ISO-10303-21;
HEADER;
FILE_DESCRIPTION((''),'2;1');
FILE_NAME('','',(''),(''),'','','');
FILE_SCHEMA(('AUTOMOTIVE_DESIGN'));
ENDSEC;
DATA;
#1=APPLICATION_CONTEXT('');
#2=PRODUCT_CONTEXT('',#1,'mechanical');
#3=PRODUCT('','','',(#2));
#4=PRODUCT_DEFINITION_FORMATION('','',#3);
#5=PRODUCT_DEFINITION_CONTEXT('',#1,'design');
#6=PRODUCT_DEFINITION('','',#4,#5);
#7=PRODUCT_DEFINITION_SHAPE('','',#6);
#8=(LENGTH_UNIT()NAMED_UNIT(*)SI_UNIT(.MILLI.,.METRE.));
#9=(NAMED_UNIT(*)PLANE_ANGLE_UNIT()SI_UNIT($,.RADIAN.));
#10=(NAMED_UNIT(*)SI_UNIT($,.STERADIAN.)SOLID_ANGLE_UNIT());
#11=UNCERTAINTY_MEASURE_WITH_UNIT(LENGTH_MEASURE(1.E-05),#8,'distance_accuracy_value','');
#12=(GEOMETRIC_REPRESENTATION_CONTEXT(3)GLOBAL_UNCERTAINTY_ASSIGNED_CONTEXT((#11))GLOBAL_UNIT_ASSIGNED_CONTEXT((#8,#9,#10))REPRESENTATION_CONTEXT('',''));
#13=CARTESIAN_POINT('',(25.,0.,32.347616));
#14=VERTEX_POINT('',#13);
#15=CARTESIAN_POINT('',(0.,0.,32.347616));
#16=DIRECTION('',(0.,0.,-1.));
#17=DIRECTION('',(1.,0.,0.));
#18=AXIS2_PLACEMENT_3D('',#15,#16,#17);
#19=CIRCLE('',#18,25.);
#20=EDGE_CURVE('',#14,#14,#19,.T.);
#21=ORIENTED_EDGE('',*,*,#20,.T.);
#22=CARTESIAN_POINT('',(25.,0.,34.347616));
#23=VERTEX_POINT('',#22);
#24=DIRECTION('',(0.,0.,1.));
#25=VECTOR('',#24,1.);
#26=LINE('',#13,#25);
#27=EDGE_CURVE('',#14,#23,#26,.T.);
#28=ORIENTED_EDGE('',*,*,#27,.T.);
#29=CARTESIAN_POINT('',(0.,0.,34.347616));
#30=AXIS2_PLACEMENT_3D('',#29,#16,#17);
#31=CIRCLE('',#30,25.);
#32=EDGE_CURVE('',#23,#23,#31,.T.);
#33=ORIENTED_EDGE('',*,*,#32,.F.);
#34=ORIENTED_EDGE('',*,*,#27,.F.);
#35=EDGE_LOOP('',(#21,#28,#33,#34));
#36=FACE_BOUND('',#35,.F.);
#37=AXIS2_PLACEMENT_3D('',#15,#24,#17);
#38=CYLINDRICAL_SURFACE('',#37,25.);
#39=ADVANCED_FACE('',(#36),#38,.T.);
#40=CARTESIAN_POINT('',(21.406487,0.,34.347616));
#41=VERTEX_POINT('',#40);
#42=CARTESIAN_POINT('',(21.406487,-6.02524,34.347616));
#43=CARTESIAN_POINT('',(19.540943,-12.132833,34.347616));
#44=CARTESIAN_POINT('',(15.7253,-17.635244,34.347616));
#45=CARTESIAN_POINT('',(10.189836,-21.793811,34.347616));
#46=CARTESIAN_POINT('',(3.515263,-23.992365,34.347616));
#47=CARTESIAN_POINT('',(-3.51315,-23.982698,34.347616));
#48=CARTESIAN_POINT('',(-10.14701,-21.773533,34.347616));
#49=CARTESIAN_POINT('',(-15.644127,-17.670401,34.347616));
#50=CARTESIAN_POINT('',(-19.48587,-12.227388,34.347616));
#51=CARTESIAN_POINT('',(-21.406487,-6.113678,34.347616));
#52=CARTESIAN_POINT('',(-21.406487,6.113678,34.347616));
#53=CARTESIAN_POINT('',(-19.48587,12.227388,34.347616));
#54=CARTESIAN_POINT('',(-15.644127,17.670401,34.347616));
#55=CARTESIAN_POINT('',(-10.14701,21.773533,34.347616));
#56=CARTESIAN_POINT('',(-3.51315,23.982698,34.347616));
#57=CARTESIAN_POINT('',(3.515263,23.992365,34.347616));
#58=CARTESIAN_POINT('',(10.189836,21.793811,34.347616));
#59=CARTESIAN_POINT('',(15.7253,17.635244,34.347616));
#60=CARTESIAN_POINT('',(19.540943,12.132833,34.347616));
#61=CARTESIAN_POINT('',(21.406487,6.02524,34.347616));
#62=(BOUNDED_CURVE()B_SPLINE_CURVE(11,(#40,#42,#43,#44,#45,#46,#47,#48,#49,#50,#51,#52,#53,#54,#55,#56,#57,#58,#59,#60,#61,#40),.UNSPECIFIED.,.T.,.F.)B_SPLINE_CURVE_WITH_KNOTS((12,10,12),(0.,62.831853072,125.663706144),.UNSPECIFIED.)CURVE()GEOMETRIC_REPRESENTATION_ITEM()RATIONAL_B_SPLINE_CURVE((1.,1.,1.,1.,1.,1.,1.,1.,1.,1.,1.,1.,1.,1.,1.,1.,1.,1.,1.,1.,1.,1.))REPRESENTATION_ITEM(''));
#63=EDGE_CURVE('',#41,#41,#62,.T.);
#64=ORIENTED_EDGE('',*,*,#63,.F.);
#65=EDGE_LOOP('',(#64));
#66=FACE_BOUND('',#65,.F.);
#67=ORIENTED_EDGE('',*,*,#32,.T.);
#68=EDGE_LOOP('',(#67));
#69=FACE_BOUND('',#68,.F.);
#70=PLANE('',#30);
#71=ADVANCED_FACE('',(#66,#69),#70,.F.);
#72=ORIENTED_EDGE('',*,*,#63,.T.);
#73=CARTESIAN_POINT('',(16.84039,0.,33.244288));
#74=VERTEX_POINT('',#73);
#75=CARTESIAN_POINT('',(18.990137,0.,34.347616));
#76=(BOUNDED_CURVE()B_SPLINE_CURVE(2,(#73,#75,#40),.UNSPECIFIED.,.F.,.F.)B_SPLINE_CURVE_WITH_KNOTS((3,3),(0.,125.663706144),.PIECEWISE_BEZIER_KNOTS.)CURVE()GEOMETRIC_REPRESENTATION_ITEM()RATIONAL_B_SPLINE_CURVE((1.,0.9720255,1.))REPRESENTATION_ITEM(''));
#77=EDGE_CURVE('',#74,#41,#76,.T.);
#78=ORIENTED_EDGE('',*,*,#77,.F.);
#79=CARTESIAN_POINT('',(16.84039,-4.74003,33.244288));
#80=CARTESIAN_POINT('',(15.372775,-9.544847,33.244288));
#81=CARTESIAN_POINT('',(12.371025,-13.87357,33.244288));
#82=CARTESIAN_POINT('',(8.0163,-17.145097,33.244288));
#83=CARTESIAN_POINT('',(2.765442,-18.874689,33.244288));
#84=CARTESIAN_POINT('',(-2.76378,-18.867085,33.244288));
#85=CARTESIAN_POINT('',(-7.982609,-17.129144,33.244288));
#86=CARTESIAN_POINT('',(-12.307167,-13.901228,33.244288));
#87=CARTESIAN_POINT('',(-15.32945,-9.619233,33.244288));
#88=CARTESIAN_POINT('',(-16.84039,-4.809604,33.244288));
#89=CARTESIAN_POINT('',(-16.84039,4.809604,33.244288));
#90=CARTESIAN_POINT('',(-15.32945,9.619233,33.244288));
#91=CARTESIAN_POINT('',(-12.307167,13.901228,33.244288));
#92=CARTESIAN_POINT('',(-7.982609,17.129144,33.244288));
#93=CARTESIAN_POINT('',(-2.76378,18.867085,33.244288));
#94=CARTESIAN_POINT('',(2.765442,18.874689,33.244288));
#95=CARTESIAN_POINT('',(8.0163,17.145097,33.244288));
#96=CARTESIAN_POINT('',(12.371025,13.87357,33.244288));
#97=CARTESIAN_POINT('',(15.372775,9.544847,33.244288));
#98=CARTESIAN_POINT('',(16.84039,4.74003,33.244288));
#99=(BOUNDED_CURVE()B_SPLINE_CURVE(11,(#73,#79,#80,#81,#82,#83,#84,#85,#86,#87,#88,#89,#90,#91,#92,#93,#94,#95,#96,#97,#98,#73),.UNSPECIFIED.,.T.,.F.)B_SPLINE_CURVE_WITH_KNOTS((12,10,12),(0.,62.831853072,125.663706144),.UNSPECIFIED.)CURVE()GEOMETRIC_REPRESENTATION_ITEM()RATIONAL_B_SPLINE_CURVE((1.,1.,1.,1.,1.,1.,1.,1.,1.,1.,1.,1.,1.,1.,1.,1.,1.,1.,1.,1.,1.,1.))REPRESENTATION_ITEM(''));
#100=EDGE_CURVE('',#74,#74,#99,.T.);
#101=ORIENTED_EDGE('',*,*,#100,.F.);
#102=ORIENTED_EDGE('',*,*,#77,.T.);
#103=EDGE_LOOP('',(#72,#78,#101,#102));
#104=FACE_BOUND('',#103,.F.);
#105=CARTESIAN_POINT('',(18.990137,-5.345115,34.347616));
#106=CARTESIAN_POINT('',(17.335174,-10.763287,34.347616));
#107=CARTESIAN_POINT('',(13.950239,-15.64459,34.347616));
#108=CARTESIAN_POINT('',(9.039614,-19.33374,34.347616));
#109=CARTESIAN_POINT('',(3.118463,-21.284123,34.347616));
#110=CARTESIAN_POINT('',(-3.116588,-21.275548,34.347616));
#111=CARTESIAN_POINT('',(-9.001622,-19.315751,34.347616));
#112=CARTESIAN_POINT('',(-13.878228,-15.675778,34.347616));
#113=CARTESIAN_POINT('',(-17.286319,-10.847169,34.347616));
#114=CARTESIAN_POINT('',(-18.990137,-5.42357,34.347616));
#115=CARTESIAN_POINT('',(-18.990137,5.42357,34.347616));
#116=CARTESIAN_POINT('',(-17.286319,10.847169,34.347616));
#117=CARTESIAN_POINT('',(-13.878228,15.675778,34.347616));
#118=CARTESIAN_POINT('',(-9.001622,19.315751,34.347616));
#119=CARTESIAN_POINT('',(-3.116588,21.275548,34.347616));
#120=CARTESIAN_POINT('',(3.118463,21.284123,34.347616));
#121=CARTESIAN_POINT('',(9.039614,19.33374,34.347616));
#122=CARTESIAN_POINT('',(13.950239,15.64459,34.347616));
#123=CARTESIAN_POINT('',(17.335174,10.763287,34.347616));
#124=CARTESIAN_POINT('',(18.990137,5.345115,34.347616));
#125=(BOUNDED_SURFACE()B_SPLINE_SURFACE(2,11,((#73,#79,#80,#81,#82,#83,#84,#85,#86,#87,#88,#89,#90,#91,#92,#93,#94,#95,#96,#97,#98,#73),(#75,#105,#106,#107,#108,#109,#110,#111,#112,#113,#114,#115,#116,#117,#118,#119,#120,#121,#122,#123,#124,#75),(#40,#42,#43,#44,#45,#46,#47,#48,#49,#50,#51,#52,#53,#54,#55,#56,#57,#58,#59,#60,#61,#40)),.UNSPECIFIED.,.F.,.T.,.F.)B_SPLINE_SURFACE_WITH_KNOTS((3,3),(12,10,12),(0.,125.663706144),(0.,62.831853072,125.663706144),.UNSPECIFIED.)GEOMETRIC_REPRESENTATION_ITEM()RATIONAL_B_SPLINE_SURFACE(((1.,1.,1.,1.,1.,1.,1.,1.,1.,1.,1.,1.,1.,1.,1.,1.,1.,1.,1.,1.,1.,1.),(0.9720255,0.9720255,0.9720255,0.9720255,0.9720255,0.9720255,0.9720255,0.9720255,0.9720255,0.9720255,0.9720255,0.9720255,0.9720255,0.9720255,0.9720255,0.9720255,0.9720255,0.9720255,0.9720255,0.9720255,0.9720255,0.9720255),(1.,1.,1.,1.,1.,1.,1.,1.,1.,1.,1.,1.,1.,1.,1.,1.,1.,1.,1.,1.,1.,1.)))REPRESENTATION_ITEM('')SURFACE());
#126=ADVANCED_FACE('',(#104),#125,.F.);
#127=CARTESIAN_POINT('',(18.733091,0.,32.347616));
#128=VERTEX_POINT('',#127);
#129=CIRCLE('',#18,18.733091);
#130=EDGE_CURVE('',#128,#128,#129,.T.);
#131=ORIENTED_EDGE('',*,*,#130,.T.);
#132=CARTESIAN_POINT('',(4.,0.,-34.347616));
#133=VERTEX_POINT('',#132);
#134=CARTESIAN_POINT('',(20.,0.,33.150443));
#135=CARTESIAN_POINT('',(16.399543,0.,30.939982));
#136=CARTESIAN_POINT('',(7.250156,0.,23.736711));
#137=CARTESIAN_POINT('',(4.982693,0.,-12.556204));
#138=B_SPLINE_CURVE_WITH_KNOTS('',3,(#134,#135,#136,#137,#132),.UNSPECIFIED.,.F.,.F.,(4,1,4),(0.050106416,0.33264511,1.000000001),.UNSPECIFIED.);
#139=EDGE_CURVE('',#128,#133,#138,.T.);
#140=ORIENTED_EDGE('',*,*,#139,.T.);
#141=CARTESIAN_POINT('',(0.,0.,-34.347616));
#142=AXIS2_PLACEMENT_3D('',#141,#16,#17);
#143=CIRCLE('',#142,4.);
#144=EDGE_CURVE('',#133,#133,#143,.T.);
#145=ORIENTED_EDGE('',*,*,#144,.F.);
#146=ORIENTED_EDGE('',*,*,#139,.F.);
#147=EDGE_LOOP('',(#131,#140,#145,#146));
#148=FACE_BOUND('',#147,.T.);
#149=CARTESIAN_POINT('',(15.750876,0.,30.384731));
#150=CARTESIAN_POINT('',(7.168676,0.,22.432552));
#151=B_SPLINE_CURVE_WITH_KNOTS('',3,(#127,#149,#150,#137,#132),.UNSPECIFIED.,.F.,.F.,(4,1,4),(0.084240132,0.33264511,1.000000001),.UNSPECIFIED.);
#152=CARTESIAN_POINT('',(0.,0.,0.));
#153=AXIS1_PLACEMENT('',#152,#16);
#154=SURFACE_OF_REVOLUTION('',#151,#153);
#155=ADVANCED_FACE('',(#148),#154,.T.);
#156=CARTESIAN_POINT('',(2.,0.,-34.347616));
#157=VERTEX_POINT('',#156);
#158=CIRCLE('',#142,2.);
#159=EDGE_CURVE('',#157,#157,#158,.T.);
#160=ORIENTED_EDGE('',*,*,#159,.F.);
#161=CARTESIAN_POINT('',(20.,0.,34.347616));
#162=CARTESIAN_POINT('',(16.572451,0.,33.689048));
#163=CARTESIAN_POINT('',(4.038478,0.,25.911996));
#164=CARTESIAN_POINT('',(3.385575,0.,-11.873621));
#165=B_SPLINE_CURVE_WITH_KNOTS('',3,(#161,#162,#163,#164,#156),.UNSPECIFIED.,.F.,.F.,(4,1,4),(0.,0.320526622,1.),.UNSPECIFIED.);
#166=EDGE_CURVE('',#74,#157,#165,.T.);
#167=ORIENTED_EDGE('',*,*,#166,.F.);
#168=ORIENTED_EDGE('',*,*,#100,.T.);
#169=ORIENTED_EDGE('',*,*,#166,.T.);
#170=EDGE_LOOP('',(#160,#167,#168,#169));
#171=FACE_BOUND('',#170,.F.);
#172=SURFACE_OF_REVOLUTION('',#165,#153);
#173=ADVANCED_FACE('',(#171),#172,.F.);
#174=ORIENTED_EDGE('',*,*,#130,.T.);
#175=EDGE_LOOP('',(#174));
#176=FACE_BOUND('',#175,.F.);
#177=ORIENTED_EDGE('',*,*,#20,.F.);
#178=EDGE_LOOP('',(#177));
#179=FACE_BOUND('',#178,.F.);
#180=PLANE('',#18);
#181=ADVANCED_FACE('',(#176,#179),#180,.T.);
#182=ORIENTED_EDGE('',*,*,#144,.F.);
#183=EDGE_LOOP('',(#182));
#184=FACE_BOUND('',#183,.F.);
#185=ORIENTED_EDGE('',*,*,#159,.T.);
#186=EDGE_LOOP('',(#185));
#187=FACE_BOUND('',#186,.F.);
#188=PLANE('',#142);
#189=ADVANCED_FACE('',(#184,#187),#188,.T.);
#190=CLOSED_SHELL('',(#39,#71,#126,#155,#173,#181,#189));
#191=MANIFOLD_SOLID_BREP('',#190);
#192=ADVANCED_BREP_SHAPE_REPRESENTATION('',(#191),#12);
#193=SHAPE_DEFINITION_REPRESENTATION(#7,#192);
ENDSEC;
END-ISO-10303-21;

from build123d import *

# Parameters (mm, degrees)
F2_R = 10


with BuildPart() as f1:
    # F0 (on Front) → F1 (revolve)
    with BuildSketch(Plane.XZ):
        with BuildLine():
            add(Edge.make_bspline(
                [(20, 34.3476161361), (16.572451219, 33.6890481412), (4.0384777557, 25.9119960632), (3.3855754882, -11.8736205623), (2, -34.3476161361)],
                knots=[0, 0, 0, 0, 0.3205266216, 1, 1, 1, 1], degree=3))
            Line((2, -34.3476161361), (4, -34.3476161361))
            add(Edge.make_bspline(
                [(18.7330910384, 32.3476161361), (15.7508764555, 30.3847312829), (7.1686760292, 22.4325523421), (4.9826926072, -12.5562043632), (4, -34.3476161361)],
                knots=[0.0842401324, 0.0842401324, 0.0842401324, 0.0842401324, 0.3326451093, 1, 1, 1, 1], degree=3))
            add(Edge.make_bspline(
                [(20, 33.1504431344), (19.5650260003, 32.8833956516), (19.1428818143, 32.6173392176), (18.7330910384, 32.3476161361)],
                knots=[0.0501064155, 0.0501064155, 0.0501064155, 0.0501064155, 0.0842401324, 0.0842401324, 0.0842401324, 0.0842401324], degree=3))
            Line((20, 33.1504431344), (20, 34.3476161361))
        make_face()
        with BuildLine():
            Line((22, 34.3476161361), (20, 34.3476161361))
            Line((20, 34.3476161361), (20, 33.1504431344))
            add(Edge.make_bspline(
                [(22, 34.3476161361), (21.3046822063, 33.9366006866), (20.6385178627, 33.5424541238), (20, 33.1504431344)],
                knots=[0, 0, 0, 0, 0.0501064155, 0.0501064155, 0.0501064155, 0.0501064155], degree=3))
        make_face()
        with BuildLine():
            add(Edge.make_bspline(
                [(20, 33.1504431344), (19.5650260003, 32.8833956516), (19.1428818143, 32.6173392176), (18.7330910384, 32.3476161361)],
                knots=[0.0501064155, 0.0501064155, 0.0501064155, 0.0501064155, 0.0842401324, 0.0842401324, 0.0842401324, 0.0842401324], degree=3))
            Line((18.7330910384, 32.3476161361), (20, 32.3476161361))
            Line((20, 32.3476161361), (20, 33.1504431344))
        make_face()
        with BuildLine():
            Line((25, 34.3476161361), (22, 34.3476161361))
            add(Edge.make_bspline(
                [(22, 34.3476161361), (21.3046822063, 33.9366006866), (20.6385178627, 33.5424541238), (20, 33.1504431344)],
                knots=[0, 0, 0, 0, 0.0501064155, 0.0501064155, 0.0501064155, 0.0501064155], degree=3))
            Line((20, 33.1504431344), (20, 32.3476161361))
            Line((20, 32.3476161361), (25, 32.3476161361))
            Line((25, 32.3476161361), (25, 34.3476161361))
        make_face()
    revolve(axis=Axis((0, 0, 0), (0, 0, -1)))

    # F2
    f2_edges = [f1.edges().sort_by_distance(p)[0] for p in [
        (-20, 0, 34.347616),
    ]]
    fillet(f2_edges, radius=F2_R)


solid = f1.part
